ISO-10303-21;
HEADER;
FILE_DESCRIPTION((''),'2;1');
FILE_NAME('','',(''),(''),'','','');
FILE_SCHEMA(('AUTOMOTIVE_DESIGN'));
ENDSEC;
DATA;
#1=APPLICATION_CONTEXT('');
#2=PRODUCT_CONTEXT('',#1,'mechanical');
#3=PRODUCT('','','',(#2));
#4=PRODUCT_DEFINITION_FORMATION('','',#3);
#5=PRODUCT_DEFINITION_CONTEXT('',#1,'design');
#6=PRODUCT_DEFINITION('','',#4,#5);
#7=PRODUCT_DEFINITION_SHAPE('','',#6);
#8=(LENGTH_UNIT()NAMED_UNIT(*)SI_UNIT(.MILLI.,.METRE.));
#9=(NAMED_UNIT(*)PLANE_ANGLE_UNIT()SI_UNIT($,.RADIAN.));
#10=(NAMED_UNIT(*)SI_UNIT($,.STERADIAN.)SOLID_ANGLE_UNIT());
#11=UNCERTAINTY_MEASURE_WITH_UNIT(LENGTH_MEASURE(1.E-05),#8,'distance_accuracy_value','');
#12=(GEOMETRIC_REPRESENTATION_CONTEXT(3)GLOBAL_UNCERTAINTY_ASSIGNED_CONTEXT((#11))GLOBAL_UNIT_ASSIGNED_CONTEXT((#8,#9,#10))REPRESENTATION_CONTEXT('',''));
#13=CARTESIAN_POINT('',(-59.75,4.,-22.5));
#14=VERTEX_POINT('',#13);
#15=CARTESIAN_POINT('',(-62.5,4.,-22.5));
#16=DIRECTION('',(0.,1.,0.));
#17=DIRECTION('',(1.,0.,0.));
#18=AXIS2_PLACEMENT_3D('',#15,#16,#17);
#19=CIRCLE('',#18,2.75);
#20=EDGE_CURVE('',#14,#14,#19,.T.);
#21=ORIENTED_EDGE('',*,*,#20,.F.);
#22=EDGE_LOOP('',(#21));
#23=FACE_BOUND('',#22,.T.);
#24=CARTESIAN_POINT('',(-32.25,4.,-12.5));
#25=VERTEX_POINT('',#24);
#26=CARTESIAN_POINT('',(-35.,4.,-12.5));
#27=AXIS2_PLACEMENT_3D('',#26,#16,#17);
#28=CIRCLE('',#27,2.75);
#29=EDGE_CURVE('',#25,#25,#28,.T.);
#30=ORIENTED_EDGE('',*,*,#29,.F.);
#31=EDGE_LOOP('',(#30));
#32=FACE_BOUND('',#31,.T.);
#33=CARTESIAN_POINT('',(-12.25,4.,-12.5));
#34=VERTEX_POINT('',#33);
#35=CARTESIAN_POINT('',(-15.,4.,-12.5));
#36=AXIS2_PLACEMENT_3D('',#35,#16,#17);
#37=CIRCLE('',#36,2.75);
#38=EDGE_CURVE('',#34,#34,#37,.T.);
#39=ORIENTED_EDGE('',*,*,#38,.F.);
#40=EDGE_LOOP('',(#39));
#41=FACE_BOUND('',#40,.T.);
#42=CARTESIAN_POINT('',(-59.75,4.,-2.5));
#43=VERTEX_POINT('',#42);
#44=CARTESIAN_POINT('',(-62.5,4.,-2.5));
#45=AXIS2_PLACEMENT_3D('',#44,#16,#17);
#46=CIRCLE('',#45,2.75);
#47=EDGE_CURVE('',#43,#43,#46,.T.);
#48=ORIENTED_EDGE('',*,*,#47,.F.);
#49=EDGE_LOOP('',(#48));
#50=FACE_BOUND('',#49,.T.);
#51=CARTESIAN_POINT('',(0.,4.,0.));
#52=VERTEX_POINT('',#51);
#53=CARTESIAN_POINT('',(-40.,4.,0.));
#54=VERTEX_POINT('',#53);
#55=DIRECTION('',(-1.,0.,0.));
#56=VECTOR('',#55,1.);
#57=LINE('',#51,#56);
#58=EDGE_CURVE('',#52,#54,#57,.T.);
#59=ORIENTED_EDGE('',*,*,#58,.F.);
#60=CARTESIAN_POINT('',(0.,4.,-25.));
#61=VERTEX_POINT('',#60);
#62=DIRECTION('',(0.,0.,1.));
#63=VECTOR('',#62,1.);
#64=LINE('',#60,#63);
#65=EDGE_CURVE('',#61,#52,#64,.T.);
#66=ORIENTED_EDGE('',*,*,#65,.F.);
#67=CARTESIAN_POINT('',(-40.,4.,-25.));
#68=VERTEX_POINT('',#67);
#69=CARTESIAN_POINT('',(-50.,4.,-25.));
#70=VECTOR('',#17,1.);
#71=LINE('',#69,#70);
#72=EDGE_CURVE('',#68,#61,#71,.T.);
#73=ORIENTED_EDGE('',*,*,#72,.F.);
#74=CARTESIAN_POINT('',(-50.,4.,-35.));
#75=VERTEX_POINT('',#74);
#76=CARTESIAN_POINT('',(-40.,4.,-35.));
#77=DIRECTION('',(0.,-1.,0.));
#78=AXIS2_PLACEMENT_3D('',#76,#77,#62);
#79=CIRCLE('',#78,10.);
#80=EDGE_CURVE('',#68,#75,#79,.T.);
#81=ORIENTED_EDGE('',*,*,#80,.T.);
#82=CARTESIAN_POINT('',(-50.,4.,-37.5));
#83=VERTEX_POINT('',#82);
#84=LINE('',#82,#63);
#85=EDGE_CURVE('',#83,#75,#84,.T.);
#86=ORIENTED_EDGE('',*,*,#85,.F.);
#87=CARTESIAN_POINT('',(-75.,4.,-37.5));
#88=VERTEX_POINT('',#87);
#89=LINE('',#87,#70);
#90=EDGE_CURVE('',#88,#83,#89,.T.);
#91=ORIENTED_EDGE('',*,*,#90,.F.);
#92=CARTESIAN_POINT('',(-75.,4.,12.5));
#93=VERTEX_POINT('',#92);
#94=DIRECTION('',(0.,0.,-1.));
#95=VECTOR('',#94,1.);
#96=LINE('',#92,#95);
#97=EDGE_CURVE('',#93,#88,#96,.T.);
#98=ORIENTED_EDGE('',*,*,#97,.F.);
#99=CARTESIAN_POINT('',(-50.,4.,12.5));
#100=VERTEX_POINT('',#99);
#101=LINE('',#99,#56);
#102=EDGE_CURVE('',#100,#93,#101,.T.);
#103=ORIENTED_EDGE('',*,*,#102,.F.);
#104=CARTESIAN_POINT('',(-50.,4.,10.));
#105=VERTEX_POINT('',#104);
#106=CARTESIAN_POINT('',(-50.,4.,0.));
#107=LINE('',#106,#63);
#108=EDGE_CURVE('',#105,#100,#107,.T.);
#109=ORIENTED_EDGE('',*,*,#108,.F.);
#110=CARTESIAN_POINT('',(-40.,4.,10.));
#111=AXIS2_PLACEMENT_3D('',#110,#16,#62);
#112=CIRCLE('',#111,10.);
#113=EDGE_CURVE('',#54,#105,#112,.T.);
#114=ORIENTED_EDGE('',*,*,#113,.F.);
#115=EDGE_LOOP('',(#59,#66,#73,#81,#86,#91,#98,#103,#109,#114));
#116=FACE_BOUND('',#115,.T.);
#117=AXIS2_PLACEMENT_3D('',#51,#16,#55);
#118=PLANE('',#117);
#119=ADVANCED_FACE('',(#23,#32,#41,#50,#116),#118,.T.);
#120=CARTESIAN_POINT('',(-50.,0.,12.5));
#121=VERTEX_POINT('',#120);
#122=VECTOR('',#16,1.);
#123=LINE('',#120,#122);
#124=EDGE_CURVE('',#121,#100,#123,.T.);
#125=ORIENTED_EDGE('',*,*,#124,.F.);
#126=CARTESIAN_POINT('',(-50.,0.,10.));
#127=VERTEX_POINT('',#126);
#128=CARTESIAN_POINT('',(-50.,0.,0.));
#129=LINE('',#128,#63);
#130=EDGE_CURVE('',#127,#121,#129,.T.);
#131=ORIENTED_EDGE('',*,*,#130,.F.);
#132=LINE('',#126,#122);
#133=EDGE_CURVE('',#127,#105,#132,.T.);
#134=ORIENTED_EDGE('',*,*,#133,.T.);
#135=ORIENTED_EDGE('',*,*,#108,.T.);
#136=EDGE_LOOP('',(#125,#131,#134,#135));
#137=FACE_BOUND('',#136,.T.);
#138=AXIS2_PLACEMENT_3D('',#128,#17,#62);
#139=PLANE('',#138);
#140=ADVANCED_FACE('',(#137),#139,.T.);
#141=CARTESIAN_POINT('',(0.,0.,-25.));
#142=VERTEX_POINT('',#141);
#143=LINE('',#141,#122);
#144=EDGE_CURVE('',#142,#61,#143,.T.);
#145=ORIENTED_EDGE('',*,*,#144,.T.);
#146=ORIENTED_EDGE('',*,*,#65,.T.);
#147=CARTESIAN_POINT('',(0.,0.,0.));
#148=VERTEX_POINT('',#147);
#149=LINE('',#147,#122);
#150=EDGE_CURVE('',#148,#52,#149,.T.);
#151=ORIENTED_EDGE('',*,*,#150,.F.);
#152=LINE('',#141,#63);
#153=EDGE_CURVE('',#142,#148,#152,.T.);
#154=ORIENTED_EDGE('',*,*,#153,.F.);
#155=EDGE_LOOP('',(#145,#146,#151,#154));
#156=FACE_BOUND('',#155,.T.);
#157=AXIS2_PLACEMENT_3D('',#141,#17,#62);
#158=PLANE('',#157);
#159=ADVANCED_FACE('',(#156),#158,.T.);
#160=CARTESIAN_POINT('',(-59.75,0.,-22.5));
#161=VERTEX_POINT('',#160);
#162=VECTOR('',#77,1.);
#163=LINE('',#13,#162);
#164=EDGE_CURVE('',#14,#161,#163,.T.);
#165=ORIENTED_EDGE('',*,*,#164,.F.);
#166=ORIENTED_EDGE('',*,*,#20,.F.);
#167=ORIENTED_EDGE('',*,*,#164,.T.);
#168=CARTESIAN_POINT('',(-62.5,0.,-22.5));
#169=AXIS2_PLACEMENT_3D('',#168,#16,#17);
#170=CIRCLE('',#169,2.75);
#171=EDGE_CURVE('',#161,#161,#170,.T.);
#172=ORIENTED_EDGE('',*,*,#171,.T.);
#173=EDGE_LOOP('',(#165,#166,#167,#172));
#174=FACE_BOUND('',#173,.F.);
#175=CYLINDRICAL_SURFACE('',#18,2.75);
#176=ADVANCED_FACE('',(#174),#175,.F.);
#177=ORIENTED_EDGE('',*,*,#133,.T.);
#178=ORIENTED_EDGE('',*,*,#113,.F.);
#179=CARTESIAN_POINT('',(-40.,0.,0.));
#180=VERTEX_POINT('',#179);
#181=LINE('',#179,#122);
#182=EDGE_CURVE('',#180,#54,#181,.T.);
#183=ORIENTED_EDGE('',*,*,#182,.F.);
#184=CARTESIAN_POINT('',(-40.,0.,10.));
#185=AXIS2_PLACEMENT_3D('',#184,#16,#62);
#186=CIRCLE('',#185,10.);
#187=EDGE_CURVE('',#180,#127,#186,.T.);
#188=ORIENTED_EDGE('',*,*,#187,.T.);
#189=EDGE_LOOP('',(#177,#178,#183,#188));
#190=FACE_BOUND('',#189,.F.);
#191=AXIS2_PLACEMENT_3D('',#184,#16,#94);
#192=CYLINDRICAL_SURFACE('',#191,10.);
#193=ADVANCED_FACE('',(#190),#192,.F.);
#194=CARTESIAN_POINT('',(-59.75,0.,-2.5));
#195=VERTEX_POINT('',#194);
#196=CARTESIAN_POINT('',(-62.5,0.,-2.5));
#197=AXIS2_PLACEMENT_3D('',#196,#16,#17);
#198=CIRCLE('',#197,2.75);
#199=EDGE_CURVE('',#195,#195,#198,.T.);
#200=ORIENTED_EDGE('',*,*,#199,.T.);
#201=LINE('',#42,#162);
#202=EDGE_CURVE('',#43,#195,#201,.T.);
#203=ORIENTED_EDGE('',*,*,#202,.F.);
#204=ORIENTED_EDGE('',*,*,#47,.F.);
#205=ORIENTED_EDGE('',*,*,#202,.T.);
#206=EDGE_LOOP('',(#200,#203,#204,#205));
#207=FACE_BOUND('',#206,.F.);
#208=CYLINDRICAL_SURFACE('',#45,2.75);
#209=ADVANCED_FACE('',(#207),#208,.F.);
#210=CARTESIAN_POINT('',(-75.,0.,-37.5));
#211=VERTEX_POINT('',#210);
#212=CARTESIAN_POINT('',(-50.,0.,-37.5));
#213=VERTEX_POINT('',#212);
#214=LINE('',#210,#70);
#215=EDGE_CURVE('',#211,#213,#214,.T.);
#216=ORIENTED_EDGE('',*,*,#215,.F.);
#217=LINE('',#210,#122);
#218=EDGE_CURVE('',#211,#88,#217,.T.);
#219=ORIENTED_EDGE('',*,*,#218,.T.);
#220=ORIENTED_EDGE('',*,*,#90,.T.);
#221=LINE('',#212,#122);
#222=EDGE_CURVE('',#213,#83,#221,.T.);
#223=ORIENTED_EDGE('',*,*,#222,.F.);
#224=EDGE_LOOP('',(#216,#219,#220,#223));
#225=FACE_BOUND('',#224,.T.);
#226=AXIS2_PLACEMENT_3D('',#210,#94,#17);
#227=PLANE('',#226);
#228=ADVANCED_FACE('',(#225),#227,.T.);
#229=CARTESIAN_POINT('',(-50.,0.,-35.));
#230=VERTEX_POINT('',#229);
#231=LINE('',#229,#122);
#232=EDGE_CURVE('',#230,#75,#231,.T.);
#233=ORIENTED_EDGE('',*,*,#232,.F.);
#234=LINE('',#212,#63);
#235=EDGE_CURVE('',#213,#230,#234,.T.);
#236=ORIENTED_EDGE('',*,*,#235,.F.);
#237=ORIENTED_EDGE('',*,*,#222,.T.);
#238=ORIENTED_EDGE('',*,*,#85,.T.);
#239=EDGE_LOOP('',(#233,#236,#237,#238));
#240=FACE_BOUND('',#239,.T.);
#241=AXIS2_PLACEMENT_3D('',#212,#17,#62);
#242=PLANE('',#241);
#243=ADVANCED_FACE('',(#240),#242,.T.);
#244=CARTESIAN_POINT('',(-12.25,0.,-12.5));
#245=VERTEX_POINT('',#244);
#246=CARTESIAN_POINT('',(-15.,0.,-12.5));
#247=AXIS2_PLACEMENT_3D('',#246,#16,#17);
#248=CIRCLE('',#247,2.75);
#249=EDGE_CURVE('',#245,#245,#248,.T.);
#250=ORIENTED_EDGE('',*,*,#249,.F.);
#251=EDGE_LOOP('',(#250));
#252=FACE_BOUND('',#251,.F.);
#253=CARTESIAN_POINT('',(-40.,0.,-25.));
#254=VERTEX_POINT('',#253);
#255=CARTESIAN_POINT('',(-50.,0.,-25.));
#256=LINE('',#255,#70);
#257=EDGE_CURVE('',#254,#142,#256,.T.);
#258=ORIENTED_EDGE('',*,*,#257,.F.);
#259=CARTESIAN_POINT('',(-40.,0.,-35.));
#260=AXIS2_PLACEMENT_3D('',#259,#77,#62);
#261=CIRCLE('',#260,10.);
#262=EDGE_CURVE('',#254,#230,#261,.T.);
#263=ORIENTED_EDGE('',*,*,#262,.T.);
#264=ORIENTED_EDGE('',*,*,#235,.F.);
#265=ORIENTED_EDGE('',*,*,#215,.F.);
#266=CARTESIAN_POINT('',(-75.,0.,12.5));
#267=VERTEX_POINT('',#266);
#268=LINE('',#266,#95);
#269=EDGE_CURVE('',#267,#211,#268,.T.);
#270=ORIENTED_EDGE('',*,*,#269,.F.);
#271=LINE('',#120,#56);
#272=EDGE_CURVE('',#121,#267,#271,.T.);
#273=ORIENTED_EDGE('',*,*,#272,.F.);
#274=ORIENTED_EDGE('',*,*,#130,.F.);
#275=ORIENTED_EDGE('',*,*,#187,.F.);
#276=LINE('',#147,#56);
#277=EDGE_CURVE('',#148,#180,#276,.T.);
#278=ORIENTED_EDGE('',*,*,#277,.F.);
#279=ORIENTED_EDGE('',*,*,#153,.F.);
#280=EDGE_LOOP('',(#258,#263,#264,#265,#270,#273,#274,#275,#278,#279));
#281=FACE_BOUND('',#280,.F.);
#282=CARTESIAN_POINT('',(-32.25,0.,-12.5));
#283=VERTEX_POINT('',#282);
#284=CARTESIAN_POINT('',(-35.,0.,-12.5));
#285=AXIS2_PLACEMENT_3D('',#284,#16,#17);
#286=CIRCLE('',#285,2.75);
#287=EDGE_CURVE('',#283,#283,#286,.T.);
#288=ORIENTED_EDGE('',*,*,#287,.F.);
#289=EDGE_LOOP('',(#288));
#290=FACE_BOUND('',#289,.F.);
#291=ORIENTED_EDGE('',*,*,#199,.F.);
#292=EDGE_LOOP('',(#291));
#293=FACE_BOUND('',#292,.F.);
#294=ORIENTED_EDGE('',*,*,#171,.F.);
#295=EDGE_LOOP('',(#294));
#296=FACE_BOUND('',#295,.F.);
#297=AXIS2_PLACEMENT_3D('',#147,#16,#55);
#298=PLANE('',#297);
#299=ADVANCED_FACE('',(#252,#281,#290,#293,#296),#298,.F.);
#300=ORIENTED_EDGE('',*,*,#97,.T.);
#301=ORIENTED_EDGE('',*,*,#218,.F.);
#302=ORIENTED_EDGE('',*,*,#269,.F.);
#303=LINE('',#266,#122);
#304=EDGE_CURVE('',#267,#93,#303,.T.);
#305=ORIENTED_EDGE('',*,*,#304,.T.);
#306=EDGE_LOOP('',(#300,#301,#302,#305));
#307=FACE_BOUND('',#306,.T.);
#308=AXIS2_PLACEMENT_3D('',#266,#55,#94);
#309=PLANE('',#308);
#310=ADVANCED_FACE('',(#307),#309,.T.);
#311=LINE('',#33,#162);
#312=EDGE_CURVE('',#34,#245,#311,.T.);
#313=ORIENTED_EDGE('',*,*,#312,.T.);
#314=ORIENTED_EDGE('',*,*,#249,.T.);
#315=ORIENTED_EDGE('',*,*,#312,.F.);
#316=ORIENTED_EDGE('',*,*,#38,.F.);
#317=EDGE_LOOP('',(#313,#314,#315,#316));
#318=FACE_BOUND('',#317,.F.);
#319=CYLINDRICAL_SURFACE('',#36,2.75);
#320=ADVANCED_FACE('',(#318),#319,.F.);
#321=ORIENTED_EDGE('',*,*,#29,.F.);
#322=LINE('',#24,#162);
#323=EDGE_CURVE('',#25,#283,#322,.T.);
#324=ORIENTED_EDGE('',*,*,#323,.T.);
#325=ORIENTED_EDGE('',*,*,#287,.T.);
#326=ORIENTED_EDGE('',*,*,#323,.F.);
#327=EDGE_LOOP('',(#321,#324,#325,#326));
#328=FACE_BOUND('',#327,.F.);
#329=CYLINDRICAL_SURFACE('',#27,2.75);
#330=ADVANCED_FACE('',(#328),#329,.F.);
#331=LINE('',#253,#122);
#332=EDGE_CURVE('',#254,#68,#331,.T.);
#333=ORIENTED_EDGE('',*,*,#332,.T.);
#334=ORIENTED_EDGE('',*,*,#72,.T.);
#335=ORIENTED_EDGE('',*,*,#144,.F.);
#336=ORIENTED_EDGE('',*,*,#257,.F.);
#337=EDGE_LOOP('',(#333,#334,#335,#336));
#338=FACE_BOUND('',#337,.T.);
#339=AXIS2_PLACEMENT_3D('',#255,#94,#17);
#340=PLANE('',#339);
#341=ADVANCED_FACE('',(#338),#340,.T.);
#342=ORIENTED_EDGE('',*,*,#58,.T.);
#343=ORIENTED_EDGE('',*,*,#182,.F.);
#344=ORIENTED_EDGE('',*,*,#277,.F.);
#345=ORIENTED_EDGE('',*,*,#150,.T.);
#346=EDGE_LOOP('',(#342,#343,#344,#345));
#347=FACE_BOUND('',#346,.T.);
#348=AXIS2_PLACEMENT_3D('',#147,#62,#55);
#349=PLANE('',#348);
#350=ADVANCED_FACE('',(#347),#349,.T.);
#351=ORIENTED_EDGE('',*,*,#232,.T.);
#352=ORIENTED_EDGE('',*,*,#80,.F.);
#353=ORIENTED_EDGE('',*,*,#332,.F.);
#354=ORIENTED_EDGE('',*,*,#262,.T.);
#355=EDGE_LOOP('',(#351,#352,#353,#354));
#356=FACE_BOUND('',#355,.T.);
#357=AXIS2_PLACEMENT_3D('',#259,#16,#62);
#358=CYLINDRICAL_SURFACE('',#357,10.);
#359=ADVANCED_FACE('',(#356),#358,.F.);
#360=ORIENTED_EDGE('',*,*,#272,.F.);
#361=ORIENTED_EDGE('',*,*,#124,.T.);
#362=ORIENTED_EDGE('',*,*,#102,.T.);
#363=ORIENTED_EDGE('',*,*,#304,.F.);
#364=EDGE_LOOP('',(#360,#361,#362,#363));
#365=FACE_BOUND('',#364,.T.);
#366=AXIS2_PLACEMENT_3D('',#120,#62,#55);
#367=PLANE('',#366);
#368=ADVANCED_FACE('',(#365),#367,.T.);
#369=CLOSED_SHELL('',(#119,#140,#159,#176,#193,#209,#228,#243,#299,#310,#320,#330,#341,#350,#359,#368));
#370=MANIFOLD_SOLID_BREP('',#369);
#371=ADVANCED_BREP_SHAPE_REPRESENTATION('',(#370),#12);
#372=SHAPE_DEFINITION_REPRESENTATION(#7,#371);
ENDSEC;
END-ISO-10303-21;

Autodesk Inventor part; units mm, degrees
ref_plane "YZ Plane" through (0, 0, 0) normal (1, 0, 0) x (0, 1, 0)
ref_plane "XZ Plane" through (0, 0, 0) normal (0, 1, 0) x (-1, 0, 0)
ref_plane "XY Plane" through (0, 0, 0) normal (0, 0, 1) x (1, 0, 0)
sketch "Sketch1" plane through (0, 0, 0) normal (0, 1, 0) x (-1, 0, 0)
  line L0 (0, 0) -> (50, 0)
  line L1 (50, 0) -> (50, 12.5)
  line L2 (50, 12.5) -> (75, 12.5)
  line L3 (75, 12.5) -> (75, -37.5)
  line L4 (75, -37.5) -> (50, -37.5)
  line L5 (50, -37.5) -> (50, -25)
  line L6 (50, -25) -> (0, -25)
  line L7 (0, -25) -> (0, 0)
  dimension "d0" = 25
  dimension "d1" = 50
  dimension "d2" = 50
  dimension "d3" = 25
extrude "Extrusion1" add sketch "Sketch1" along normal blind 4
sketch "Sketch2" plane through (0, 4, 0) normal (0, 1, 0) x (1, 0, 0)
  circle A0 centre (-15, 12.5) radius 2.75 projected
  circle A1 centre (-35, 12.5) radius 2.75 projected
  circle A2 centre (-62.5, 2.5) radius 2.75
  circle A3 centre (-62.5, 22.5) radius 2.75
  line L0 (-75, -12.5) -> (-50, -12.5) projected
  line L1 (-62.5, -12.5) -> (-62.5, 37.5) construction
  line L2 (-50, 37.5) -> (-75, 37.5) projected
  point P0 (0, 0)
  dimension "d6" = 5.5
  dimension "d7" = 5.5
  dimension "d8" = 20
  dimension "d9" = 10
extrude "Extrusion2" cut sketch "Sketch2" against normal through all
fillet "Fillet1" radius 10 2 edges at (-50, 2, 0) (-50, 2, -25)
equation "\"d9\" = 0.5 * d8"
properties part number "Support Extrusion Brace" material "CFRP"
